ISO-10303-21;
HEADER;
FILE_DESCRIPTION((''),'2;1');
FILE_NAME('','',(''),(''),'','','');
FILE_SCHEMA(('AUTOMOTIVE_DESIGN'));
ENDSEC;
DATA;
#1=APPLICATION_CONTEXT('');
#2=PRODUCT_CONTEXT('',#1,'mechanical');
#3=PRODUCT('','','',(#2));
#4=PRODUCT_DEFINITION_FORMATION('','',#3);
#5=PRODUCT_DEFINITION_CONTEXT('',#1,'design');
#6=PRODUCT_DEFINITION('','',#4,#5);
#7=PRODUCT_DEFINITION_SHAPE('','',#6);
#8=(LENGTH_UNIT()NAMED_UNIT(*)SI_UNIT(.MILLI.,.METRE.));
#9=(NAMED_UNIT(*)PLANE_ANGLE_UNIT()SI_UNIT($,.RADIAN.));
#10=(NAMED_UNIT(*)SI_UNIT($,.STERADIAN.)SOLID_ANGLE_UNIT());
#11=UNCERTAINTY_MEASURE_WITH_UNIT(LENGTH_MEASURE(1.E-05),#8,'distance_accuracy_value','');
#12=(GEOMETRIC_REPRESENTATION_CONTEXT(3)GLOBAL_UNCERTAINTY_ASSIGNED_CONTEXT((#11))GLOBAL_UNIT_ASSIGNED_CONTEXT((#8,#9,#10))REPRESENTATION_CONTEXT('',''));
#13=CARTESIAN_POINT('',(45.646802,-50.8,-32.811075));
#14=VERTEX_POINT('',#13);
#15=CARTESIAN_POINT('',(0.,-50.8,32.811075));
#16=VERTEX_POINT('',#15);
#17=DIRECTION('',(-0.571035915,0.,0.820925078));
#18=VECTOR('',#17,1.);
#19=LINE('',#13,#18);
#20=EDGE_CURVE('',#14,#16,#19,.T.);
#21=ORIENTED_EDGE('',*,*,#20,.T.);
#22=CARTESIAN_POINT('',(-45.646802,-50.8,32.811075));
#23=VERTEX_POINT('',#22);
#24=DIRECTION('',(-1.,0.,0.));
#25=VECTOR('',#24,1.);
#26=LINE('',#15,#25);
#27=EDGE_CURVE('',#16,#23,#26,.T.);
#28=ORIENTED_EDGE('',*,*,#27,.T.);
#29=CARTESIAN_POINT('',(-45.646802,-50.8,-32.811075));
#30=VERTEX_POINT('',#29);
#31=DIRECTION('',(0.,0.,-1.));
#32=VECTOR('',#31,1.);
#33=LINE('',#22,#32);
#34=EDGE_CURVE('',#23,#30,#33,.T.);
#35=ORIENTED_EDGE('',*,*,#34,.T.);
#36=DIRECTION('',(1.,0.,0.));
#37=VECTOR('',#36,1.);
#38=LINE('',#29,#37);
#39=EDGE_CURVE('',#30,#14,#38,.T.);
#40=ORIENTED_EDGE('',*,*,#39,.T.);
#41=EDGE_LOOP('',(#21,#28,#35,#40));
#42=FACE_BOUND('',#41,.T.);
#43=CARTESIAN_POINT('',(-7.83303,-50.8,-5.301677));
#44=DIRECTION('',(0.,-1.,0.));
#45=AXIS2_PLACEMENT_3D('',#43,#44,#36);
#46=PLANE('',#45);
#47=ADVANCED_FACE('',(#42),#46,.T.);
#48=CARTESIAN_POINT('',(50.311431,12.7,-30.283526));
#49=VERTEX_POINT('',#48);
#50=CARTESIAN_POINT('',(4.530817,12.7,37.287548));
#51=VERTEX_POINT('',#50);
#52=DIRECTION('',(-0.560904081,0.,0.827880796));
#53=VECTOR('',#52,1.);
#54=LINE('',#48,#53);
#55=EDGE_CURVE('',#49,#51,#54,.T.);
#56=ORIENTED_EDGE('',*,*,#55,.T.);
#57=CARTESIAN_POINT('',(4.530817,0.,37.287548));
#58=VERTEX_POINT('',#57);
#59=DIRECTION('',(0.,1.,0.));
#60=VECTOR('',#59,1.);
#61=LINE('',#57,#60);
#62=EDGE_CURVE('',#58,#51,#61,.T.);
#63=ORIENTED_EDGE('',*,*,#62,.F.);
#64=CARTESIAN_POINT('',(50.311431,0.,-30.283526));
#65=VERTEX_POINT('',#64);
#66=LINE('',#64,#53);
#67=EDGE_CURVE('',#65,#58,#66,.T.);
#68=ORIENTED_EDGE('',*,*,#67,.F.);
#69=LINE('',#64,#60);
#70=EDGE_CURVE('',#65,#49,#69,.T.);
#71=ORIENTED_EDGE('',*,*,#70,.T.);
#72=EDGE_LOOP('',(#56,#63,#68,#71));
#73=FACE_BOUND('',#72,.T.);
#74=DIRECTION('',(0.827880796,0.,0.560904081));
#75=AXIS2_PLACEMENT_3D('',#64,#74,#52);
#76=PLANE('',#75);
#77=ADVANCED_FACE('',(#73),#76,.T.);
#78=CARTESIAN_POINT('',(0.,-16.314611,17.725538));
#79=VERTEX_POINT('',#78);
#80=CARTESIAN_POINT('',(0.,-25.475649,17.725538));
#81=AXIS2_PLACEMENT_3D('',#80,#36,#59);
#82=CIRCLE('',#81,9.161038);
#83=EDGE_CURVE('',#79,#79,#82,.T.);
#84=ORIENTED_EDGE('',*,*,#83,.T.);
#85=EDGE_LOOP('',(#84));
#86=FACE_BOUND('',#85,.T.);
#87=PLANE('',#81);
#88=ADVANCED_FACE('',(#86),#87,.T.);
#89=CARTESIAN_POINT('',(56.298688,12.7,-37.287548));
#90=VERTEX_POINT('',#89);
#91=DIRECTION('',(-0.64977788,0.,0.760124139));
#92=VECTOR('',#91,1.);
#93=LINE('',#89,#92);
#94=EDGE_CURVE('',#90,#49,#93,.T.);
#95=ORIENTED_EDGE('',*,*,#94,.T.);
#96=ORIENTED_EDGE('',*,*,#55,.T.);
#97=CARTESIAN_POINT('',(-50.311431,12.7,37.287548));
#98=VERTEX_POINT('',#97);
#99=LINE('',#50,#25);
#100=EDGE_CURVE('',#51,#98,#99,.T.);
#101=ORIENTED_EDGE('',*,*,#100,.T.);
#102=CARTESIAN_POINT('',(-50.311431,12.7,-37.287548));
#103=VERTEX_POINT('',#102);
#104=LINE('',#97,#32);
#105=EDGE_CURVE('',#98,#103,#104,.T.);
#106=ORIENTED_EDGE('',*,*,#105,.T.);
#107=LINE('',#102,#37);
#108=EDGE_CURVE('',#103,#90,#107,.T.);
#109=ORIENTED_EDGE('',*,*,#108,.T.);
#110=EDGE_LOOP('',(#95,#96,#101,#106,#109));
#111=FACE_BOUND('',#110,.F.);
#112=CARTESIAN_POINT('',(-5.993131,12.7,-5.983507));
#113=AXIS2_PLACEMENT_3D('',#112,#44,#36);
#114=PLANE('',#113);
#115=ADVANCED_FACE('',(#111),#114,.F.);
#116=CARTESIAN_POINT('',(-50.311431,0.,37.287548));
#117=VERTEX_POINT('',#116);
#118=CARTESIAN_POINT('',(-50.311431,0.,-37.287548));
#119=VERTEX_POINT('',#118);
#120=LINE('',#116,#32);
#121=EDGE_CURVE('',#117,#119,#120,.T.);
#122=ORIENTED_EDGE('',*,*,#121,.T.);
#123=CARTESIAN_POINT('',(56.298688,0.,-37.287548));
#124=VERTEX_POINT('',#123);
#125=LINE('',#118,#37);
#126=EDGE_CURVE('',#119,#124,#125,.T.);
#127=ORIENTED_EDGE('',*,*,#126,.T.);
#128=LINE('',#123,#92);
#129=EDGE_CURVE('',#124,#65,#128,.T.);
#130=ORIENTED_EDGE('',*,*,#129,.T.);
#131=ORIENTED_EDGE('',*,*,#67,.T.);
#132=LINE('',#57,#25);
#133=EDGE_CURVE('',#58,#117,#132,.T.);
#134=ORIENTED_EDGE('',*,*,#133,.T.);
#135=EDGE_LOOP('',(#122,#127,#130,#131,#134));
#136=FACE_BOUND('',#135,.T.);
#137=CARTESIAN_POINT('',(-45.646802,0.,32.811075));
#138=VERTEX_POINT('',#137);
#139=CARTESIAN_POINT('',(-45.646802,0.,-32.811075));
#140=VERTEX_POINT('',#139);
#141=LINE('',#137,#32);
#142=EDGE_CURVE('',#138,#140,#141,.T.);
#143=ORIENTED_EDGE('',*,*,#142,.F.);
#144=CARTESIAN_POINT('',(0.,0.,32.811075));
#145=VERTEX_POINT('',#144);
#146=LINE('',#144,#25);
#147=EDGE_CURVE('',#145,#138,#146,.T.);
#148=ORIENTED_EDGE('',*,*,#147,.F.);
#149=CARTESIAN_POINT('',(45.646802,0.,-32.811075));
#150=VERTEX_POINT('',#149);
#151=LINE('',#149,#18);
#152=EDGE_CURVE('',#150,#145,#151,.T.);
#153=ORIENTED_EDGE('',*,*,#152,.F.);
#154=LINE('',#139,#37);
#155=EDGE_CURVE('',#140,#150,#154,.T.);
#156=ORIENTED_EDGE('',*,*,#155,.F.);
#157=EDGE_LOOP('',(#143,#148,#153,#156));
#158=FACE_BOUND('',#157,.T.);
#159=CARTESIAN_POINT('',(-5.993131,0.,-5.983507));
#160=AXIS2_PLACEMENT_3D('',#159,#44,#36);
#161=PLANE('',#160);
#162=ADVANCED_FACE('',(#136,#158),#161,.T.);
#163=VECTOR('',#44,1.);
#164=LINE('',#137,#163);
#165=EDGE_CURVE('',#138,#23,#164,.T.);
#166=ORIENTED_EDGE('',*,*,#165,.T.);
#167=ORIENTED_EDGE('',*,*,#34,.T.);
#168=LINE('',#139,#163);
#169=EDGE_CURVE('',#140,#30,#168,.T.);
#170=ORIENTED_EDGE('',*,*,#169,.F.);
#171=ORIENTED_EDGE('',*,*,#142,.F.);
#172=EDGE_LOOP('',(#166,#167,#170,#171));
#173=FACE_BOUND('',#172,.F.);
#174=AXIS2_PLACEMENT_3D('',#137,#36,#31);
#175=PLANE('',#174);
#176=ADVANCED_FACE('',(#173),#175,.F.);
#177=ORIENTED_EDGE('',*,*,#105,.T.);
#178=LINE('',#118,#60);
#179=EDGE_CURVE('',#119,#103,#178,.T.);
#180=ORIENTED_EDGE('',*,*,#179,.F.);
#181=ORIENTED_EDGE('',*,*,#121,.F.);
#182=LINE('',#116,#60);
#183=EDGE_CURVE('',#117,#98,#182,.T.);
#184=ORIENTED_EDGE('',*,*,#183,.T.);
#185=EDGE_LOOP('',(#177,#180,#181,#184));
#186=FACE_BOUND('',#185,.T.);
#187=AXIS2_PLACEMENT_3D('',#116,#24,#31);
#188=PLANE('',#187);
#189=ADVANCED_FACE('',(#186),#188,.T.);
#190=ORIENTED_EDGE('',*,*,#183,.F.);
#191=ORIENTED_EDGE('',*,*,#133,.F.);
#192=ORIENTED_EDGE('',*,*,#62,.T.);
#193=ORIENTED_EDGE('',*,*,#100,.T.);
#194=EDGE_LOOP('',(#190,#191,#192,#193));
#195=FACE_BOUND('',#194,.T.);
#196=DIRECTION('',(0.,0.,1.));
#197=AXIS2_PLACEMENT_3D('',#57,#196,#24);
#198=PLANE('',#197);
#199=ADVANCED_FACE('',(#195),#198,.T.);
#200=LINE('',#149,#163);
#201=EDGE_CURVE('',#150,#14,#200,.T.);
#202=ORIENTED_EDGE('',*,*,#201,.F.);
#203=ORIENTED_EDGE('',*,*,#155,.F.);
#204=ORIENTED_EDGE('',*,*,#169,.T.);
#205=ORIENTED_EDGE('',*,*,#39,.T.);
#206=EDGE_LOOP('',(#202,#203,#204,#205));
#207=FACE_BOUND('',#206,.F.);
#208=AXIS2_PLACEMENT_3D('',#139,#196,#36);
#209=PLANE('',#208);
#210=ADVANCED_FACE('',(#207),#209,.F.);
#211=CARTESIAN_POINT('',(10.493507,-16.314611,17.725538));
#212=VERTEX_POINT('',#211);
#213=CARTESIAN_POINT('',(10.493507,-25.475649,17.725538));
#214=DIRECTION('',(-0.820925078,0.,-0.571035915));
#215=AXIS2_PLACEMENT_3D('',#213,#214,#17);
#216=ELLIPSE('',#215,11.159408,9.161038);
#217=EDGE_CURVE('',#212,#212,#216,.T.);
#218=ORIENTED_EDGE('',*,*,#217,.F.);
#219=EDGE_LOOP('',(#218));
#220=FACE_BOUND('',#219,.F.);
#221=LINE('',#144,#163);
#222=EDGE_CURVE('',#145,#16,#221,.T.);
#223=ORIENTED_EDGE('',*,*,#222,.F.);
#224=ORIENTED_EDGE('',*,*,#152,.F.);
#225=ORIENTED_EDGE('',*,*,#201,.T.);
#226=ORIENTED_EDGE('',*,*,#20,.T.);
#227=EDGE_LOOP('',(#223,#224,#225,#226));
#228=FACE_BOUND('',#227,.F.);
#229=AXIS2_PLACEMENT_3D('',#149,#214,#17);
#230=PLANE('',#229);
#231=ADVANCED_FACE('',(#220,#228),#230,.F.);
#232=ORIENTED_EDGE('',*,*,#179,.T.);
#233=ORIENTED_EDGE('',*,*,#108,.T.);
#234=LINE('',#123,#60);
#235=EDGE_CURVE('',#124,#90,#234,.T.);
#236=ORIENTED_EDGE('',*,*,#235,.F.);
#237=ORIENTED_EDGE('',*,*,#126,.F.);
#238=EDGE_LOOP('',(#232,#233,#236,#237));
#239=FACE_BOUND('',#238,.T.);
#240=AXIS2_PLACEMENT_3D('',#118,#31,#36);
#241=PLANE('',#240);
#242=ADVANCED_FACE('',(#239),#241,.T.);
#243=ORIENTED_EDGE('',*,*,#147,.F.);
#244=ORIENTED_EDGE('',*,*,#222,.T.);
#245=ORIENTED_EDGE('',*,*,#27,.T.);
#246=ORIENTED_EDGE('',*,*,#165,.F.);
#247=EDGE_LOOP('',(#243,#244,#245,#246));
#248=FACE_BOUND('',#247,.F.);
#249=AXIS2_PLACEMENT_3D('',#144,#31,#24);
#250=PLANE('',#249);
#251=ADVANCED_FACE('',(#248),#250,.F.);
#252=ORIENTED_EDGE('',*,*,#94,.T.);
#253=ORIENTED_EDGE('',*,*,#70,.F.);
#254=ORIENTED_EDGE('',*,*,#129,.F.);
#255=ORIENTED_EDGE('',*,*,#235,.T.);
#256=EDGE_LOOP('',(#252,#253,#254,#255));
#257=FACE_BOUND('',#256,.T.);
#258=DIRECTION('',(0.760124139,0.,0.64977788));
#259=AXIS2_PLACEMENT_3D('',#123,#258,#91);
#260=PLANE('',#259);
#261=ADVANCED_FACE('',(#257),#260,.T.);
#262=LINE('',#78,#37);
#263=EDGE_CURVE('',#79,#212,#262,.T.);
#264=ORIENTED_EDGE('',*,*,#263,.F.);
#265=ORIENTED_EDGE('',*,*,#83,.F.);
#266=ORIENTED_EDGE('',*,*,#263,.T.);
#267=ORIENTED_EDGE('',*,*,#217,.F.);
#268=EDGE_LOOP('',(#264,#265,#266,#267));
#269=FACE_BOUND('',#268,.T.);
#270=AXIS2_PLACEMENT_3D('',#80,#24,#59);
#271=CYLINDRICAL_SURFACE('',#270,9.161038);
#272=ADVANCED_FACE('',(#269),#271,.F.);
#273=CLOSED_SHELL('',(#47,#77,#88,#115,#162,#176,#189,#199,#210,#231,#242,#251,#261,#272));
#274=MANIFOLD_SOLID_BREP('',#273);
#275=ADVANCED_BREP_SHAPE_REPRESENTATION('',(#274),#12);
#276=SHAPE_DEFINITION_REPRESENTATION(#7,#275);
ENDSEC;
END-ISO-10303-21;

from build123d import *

# Parameters (mm, degrees)
F2_DEPTH = 50.8
F3_DEPTH = 12.7
F4_R     = 9.161038
F5_DEPTH = 50.8


with BuildPart() as f2:
    # F0 (on Front) → F2 (new body)
    with BuildSketch(Plane.XZ):
        Polygon((-45.646802, -32.811075), (45.646802, -32.811075), (0, 32.811075), (-45.646802, 32.811075), align=None)
    extrude(amount=F2_DEPTH)

    # F1 (on Front) → F3 (join)
    with BuildSketch(Plane.XZ):
        Polygon((4.530817, 37.287548), (-50.311431, 37.287548), (-50.311431, -37.287548), (50.311431, -37.287548), (56.298688, -37.287548), (50.311431, -30.283526), align=None)
    extrude(amount=-F3_DEPTH)

    # F4 (on Right) → F5 (cut)
    with BuildSketch(Plane.YZ):
        with Locations((-25.475649, 17.725538)):
            Circle(F4_R)
    extrude(amount=F5_DEPTH, mode=Mode.SUBTRACT)


solid = f2.part
